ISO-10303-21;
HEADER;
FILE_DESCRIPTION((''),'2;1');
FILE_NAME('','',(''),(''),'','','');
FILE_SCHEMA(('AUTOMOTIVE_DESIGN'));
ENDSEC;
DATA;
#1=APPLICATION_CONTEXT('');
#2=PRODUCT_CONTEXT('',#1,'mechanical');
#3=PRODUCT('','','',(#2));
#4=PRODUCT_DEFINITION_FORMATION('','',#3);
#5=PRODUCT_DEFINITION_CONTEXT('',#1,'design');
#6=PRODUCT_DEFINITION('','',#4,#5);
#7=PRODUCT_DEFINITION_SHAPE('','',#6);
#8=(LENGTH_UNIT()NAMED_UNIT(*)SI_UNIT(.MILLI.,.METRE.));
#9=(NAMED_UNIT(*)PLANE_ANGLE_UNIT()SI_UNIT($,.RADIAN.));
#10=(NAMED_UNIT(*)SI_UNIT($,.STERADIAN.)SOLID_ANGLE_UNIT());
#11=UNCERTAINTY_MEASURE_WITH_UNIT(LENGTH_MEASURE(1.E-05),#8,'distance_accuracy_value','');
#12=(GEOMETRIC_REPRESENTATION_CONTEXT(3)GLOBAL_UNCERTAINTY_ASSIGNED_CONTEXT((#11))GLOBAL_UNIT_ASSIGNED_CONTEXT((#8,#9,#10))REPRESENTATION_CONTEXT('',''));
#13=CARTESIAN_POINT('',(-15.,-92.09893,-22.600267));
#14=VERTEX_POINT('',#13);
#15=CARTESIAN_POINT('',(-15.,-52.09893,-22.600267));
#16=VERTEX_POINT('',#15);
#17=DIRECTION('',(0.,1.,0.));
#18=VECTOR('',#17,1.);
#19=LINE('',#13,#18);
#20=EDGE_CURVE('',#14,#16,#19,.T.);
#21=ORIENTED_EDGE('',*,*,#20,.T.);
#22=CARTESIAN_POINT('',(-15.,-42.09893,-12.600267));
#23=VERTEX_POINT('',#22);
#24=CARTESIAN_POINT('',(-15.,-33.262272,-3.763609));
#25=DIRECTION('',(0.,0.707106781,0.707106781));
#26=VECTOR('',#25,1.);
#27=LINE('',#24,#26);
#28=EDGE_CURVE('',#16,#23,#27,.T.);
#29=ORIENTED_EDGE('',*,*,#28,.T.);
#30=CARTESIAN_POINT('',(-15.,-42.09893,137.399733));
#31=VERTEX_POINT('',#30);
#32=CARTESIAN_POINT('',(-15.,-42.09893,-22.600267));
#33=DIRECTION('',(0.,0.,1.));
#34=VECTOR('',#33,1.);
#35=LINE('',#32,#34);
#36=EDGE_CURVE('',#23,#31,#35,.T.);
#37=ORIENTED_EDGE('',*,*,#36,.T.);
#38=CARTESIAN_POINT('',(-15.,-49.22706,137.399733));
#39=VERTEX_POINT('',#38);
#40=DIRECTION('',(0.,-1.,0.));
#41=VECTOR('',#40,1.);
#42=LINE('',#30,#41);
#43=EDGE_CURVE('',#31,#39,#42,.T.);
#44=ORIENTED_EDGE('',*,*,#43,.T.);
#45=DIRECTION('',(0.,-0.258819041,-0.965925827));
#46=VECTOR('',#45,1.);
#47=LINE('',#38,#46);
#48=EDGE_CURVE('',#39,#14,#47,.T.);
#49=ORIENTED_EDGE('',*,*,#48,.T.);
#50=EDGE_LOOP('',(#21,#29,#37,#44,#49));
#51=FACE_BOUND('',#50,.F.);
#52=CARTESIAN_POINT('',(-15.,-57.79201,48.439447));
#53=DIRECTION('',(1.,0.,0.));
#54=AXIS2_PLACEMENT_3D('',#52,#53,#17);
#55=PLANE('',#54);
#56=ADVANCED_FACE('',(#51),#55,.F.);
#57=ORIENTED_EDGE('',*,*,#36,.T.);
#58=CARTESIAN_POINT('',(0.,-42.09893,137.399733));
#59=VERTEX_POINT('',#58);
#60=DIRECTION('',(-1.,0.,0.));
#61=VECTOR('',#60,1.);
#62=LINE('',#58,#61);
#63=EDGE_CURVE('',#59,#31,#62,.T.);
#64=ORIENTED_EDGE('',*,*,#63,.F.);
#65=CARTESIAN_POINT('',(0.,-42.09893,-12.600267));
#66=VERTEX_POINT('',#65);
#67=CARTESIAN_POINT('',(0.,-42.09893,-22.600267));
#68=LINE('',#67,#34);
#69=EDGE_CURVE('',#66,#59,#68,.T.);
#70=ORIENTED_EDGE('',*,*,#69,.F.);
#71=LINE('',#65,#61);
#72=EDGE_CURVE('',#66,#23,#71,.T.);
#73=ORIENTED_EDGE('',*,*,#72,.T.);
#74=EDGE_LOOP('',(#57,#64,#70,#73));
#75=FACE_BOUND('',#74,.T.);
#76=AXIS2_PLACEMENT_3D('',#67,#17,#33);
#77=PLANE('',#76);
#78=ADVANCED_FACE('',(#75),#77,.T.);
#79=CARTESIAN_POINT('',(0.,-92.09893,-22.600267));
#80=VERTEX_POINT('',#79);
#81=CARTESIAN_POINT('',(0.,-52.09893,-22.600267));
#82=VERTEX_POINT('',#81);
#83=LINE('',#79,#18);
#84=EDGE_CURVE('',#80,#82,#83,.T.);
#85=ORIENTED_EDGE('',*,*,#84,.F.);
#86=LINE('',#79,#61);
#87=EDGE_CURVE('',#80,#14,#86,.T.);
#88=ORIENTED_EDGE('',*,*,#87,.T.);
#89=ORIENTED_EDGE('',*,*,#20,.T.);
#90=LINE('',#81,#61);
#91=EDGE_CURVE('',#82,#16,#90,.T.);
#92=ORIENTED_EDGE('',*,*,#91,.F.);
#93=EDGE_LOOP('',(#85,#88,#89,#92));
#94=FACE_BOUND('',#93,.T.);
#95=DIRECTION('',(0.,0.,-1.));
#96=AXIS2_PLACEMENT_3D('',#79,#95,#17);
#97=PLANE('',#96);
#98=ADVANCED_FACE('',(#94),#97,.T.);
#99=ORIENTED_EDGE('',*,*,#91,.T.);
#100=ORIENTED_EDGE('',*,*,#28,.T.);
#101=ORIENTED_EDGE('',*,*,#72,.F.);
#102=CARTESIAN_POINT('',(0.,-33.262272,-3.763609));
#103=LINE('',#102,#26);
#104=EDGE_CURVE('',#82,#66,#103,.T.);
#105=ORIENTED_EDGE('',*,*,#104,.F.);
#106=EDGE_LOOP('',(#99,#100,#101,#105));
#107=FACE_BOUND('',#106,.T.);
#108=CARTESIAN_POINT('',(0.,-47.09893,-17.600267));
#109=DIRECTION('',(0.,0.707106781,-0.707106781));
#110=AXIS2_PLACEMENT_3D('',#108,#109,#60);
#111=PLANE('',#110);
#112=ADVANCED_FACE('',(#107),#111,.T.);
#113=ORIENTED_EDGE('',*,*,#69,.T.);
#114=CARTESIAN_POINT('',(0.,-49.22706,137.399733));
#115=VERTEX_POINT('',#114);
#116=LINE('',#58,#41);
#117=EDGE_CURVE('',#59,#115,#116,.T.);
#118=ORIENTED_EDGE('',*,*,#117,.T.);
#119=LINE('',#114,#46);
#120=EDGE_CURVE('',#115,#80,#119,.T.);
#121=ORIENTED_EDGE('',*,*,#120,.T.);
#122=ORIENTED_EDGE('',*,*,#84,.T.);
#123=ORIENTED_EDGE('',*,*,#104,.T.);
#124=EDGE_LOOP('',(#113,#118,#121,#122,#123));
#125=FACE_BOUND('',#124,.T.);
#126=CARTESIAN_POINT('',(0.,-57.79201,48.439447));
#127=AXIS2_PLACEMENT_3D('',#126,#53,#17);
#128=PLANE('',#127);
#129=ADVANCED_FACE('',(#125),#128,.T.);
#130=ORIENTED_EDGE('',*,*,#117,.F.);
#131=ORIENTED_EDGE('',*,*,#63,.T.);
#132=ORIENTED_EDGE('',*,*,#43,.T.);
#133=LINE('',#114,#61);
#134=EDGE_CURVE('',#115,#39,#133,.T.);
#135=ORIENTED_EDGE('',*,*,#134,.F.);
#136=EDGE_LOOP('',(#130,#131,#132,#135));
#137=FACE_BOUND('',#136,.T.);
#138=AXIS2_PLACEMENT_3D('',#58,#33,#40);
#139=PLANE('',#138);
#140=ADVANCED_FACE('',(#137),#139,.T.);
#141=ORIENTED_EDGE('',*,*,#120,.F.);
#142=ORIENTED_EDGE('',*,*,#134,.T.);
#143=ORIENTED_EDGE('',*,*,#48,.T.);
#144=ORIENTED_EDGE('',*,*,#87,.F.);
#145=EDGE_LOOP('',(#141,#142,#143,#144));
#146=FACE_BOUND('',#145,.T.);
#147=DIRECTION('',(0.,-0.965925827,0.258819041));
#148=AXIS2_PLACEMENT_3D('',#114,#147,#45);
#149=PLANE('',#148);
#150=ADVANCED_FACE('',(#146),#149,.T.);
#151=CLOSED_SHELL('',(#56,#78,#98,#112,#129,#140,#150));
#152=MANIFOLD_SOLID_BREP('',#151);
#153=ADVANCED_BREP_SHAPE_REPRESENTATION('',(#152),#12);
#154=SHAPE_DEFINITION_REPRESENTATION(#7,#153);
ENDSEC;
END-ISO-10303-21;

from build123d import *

# Parameters (mm, degrees)
F1_DEPTH = 15
F2_SIZE2 = 10
F2_SIZE  = 10


with BuildPart() as f1:
    # F0 (on Right) → F1 (new body)
    with BuildSketch(Plane.YZ):
        Polygon((-49.22706, 137.399733), (-92.09893, -22.600267), (-42.09893, -22.600267), (-42.09893, 137.399733), align=None)
    extrude(amount=-F1_DEPTH)

    # F2
    f2_edges = [f1.edges().sort_by_distance(p)[0] for p in [
        (-7.5, -42.09893, -22.600267),
    ]]
    chamfer(f2_edges, length=F2_SIZE, length2=F2_SIZE2)


solid = f1.part
